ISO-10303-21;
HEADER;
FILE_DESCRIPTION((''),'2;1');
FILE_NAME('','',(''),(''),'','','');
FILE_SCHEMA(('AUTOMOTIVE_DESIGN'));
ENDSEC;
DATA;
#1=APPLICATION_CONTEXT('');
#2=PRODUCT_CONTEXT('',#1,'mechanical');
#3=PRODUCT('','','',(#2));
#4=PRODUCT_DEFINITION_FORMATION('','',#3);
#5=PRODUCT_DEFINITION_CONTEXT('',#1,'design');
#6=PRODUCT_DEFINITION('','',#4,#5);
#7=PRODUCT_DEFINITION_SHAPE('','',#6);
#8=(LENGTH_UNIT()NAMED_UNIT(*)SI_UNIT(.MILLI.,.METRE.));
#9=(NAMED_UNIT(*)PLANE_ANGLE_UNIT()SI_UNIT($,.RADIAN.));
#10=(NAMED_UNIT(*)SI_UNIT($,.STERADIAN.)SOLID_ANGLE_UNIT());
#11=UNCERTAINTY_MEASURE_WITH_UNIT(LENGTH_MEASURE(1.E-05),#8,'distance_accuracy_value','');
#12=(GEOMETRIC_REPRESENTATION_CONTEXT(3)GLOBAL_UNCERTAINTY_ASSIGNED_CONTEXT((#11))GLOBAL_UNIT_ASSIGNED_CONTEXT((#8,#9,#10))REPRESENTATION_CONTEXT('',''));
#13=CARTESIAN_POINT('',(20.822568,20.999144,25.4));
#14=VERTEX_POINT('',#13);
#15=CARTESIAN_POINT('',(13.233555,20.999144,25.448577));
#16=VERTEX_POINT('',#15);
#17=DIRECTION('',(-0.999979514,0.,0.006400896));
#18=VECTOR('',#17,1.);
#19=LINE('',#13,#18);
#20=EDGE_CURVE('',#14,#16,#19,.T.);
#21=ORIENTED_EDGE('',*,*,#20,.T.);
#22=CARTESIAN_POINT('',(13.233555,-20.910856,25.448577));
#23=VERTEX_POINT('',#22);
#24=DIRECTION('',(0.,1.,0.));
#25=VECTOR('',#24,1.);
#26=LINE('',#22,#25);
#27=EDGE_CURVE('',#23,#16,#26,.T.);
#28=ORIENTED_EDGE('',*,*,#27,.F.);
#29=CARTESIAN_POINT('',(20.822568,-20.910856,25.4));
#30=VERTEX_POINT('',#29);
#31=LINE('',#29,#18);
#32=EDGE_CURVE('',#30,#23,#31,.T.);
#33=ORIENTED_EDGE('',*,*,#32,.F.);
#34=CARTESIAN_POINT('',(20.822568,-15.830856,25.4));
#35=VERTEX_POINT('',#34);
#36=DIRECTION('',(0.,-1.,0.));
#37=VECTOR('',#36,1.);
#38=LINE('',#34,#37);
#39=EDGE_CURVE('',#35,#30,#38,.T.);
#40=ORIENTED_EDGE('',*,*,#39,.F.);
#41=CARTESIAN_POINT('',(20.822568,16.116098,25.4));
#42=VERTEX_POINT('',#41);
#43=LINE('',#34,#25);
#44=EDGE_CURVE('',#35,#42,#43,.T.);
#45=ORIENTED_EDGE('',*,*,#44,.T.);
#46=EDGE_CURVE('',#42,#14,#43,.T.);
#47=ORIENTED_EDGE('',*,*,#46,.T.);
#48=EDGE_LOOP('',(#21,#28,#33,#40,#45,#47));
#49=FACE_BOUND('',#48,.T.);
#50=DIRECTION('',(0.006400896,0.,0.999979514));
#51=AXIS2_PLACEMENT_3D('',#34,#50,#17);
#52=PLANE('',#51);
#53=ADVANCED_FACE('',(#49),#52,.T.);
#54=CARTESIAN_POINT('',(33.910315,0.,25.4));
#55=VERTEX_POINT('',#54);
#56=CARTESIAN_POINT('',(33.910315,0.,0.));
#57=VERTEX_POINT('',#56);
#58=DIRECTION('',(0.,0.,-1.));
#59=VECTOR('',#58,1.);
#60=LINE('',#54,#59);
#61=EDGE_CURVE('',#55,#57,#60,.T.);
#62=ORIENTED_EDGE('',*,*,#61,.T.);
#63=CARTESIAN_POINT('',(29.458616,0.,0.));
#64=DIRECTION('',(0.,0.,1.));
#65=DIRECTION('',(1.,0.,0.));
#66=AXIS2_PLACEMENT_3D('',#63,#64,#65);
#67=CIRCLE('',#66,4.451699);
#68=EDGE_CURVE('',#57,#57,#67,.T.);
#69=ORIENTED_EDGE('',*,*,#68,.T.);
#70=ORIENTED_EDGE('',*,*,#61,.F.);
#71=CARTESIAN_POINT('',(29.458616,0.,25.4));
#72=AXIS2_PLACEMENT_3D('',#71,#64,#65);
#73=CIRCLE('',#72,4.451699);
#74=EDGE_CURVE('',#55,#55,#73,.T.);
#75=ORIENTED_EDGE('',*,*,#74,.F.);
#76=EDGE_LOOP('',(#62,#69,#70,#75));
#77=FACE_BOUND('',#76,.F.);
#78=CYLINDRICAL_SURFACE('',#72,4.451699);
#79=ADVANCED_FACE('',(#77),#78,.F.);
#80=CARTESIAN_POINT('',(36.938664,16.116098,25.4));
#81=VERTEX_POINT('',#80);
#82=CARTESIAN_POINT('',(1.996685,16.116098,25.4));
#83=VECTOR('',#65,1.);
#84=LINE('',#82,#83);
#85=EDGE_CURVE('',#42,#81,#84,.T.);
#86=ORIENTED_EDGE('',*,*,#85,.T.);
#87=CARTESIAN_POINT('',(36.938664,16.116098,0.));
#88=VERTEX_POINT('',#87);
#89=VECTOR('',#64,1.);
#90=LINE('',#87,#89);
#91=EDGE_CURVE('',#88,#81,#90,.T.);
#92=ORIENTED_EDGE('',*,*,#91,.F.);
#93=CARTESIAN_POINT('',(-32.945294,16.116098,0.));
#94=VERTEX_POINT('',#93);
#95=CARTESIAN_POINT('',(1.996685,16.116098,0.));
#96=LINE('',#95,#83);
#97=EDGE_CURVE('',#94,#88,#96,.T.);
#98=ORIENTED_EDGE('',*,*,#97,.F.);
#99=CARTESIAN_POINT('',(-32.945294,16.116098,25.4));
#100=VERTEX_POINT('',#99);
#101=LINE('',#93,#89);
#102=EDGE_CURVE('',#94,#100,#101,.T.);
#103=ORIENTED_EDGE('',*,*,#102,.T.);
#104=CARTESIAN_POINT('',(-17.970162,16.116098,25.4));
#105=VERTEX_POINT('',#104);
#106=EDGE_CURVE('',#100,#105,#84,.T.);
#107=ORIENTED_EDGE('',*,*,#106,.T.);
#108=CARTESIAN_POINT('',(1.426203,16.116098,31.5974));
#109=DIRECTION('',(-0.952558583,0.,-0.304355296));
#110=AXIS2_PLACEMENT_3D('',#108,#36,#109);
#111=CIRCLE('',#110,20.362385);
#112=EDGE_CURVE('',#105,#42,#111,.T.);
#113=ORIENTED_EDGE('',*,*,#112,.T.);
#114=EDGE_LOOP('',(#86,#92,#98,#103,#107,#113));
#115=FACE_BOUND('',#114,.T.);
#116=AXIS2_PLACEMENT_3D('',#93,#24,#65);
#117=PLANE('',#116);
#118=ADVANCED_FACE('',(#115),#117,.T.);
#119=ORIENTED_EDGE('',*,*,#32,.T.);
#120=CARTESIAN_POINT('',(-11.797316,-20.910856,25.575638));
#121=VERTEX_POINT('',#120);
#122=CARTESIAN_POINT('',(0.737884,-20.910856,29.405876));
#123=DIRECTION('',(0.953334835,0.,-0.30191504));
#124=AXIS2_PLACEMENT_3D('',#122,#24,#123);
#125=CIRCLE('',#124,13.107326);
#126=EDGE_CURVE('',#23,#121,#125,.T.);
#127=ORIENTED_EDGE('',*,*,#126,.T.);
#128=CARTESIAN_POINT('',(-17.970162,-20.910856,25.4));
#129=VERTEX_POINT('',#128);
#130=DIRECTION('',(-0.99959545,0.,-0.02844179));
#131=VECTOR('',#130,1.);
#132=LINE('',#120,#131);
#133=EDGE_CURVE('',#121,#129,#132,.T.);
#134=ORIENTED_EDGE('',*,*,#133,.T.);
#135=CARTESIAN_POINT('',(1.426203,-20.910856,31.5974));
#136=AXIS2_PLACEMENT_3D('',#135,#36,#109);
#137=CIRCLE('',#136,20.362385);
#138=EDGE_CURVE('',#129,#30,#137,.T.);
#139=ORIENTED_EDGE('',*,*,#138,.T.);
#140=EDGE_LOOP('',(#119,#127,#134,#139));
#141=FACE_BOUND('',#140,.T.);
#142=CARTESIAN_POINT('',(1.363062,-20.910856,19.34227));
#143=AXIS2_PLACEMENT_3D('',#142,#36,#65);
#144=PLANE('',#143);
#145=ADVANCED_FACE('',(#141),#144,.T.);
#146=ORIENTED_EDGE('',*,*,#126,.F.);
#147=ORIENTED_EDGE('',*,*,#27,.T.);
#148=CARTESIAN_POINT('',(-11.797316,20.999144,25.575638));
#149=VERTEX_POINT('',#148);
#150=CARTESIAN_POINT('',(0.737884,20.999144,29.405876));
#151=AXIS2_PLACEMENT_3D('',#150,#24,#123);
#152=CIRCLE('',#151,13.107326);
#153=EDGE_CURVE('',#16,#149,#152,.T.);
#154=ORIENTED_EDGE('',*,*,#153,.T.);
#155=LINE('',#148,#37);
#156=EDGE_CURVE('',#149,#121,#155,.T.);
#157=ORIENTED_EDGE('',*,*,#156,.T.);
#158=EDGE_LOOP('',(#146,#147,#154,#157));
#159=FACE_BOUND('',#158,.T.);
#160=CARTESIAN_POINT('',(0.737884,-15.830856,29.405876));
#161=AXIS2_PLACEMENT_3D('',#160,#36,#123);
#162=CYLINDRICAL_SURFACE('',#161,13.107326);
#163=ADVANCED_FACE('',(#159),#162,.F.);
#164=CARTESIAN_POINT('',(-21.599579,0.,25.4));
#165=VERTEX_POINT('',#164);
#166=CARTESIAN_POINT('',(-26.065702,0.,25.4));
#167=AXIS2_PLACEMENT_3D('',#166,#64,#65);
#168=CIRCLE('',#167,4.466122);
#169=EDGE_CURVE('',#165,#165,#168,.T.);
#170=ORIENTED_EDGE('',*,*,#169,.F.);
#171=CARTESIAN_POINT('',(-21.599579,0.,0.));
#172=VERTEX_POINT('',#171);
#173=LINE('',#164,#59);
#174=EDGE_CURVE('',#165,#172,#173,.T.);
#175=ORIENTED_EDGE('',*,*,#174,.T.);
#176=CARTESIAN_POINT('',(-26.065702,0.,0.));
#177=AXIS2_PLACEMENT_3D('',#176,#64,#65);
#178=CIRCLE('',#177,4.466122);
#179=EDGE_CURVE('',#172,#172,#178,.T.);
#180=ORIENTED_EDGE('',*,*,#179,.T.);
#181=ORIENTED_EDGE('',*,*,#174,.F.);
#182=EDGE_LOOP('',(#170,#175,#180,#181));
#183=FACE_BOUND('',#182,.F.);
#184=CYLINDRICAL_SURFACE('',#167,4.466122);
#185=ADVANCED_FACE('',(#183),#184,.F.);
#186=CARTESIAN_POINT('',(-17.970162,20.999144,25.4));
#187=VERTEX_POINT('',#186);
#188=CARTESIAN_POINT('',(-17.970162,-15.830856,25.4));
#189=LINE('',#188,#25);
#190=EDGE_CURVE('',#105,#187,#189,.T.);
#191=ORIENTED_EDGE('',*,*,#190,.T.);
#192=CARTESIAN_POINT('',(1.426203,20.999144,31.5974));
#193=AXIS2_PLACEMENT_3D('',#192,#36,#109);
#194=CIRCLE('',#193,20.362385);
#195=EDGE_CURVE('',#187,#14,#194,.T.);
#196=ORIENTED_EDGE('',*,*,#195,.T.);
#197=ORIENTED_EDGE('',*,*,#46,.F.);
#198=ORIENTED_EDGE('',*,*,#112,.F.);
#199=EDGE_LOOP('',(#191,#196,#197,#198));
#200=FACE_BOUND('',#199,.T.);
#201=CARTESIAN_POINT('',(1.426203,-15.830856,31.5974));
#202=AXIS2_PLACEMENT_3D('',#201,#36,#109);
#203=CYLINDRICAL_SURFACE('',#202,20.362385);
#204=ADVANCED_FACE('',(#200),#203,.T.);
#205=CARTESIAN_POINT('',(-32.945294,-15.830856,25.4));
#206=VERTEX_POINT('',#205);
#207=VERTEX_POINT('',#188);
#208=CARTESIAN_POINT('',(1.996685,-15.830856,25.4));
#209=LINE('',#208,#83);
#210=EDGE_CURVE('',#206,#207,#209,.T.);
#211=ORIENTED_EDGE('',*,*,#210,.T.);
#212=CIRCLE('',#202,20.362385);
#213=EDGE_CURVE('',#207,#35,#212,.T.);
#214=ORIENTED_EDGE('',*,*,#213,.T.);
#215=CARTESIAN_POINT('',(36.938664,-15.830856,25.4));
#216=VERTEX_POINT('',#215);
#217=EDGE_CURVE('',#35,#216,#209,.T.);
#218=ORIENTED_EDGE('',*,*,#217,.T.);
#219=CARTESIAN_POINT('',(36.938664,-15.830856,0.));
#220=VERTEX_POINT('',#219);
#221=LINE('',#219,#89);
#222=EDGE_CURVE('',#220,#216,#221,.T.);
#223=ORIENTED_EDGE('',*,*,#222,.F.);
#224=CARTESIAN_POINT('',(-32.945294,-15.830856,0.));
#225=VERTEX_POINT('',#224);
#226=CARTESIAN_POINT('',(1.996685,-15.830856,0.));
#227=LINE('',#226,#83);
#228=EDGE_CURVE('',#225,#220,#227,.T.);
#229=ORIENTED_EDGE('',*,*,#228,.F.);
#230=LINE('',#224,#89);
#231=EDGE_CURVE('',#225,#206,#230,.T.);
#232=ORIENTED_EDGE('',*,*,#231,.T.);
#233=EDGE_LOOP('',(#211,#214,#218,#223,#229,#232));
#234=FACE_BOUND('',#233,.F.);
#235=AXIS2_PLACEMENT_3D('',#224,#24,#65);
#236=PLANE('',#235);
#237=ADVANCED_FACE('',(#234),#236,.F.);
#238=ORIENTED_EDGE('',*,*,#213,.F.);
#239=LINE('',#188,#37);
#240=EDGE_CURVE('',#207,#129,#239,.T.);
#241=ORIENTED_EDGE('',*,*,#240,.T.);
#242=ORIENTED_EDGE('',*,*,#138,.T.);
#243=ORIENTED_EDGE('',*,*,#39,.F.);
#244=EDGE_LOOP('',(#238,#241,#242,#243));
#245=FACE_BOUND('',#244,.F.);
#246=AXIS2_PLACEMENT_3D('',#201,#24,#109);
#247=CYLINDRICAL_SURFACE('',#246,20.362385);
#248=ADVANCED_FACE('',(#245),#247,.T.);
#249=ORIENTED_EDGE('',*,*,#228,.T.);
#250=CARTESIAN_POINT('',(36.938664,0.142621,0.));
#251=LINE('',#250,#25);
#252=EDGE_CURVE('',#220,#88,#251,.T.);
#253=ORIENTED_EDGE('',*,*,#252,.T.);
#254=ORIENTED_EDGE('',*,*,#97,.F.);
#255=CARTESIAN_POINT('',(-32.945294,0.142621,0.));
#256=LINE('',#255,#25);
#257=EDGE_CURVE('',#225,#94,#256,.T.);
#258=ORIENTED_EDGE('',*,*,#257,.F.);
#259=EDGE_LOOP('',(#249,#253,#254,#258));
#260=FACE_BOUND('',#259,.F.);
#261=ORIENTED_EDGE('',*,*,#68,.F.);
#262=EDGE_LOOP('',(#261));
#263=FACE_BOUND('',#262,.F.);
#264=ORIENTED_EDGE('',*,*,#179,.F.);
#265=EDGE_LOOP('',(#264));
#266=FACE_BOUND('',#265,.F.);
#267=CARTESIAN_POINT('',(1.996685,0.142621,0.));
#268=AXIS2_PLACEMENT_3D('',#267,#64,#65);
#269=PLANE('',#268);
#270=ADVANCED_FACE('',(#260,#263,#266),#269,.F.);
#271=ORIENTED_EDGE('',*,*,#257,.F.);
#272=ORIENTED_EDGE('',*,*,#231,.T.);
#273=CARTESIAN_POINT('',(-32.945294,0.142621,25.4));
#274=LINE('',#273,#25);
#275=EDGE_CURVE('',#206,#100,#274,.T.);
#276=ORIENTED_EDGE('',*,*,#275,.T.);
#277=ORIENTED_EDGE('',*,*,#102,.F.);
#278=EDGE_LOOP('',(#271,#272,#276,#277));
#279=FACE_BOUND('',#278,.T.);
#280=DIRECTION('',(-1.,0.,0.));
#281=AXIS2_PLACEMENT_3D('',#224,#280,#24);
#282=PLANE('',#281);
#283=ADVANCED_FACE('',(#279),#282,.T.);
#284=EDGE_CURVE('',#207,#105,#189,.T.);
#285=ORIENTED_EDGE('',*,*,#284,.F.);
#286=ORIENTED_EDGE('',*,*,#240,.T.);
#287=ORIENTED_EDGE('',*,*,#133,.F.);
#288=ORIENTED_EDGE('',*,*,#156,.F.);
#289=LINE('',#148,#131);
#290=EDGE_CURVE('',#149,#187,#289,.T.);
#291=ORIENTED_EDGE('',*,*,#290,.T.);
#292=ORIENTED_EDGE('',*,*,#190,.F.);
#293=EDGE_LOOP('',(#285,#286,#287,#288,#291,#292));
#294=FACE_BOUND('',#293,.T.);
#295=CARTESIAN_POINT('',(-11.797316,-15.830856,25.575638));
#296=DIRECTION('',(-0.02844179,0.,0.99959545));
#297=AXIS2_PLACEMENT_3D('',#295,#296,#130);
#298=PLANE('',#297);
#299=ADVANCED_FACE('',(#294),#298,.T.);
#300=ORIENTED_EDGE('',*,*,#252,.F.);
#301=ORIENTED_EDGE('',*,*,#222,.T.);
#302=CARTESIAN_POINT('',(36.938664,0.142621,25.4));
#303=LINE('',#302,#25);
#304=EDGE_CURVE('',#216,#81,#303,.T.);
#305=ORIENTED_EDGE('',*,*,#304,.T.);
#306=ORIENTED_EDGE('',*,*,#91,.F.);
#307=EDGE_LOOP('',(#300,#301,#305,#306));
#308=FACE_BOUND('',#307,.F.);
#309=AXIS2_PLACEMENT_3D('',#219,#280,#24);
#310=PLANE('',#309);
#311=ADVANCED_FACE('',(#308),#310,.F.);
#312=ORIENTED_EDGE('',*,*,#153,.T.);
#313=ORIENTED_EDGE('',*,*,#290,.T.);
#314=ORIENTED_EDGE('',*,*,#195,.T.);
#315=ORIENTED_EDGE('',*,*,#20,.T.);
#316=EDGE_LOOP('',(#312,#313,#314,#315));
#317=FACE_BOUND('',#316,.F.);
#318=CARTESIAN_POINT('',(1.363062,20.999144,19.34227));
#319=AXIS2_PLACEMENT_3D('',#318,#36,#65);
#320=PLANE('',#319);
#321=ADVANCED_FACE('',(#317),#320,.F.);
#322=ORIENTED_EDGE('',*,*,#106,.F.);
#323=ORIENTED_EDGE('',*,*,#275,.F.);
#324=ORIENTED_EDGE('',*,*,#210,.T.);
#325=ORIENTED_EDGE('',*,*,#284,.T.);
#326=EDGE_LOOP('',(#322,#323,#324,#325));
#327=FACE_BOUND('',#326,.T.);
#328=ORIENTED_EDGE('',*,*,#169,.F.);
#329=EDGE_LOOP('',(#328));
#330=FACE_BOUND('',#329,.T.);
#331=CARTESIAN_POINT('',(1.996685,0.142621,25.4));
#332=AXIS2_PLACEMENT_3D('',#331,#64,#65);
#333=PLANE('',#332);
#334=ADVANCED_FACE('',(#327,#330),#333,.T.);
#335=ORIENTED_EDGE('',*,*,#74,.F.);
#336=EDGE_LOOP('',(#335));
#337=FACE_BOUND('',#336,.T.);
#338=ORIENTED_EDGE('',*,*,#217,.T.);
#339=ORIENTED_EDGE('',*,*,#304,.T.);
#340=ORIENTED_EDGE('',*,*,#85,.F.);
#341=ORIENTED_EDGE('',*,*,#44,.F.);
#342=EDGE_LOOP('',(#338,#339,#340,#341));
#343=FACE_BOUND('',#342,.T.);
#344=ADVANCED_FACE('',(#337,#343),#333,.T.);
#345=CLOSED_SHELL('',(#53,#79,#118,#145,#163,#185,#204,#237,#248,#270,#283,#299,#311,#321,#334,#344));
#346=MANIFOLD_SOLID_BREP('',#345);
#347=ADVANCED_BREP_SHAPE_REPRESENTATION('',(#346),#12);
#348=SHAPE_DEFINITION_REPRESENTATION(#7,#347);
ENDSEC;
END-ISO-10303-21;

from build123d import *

# Parameters (mm, degrees)
F0_W          = 69.8839575052
F0_H          = 31.9469533861
F1_DEPTH      = 25.4
F3_DEPTH      = 31.9479533861
F5_DEPTH      = 5.08
F5_DEPTH_BACK = 36.83
F6_R          = 4.4661221371
F6_R_2        = 4.4516987215
F7_DEPTH      = 25.401


with BuildPart() as f1:
    # F0 (on Top) → F1 (new body)
    with BuildSketch(Plane.XY):
        with Locations((1.9966848195, 0.1426208764)):
            Rectangle(F0_W, F0_H)
    extrude(amount=F1_DEPTH)

    # F2 (on face) → F3 (cut, through all)
    with BuildSketch(Plane.XZ.offset(15.8308558166)):
        with BuildLine():
            Line((20.8225678653, 25.4), (-17.9701615125, 25.4))
            ThreePointArc((-17.9701615125, 25.4), (1.4262031764, 11.2350146431), (20.8225678653, 25.4))
        make_face()
    extrude(amount=-F3_DEPTH, mode=Mode.SUBTRACT)

    # F4 (on face) → F5 (join, two sides)
    with BuildSketch(Plane.XZ.offset(15.8308558166)) as f5_sk:
        with BuildLine():
            ThreePointArc((13.2335545495, 25.4485774785), (0.671350591, 16.2987194564), (-11.7973163724, 25.5756378174))
            Line((-11.7973163724, 25.5756378174), (-17.9701615125, 25.4))
            ThreePointArc((-17.9701615125, 25.4), (1.4262031764, 11.2350146431), (20.8225678653, 25.4))
            Line((20.8225678653, 25.4), (13.2335545495, 25.4485774785))
        make_face()
    extrude(amount=F5_DEPTH)
    extrude(f5_sk.sketch, amount=-F5_DEPTH_BACK)

    # F6 (on face) → F7 (cut, through all)
    with BuildSketch(Plane.XY.offset(25.4)):
        with Locations((-26.0657016188, 0)):
            Circle(F6_R)
        with Locations((29.4586159289, 0)):
            Circle(F6_R_2)
    extrude(amount=-F7_DEPTH, mode=Mode.SUBTRACT)


solid = f1.part
